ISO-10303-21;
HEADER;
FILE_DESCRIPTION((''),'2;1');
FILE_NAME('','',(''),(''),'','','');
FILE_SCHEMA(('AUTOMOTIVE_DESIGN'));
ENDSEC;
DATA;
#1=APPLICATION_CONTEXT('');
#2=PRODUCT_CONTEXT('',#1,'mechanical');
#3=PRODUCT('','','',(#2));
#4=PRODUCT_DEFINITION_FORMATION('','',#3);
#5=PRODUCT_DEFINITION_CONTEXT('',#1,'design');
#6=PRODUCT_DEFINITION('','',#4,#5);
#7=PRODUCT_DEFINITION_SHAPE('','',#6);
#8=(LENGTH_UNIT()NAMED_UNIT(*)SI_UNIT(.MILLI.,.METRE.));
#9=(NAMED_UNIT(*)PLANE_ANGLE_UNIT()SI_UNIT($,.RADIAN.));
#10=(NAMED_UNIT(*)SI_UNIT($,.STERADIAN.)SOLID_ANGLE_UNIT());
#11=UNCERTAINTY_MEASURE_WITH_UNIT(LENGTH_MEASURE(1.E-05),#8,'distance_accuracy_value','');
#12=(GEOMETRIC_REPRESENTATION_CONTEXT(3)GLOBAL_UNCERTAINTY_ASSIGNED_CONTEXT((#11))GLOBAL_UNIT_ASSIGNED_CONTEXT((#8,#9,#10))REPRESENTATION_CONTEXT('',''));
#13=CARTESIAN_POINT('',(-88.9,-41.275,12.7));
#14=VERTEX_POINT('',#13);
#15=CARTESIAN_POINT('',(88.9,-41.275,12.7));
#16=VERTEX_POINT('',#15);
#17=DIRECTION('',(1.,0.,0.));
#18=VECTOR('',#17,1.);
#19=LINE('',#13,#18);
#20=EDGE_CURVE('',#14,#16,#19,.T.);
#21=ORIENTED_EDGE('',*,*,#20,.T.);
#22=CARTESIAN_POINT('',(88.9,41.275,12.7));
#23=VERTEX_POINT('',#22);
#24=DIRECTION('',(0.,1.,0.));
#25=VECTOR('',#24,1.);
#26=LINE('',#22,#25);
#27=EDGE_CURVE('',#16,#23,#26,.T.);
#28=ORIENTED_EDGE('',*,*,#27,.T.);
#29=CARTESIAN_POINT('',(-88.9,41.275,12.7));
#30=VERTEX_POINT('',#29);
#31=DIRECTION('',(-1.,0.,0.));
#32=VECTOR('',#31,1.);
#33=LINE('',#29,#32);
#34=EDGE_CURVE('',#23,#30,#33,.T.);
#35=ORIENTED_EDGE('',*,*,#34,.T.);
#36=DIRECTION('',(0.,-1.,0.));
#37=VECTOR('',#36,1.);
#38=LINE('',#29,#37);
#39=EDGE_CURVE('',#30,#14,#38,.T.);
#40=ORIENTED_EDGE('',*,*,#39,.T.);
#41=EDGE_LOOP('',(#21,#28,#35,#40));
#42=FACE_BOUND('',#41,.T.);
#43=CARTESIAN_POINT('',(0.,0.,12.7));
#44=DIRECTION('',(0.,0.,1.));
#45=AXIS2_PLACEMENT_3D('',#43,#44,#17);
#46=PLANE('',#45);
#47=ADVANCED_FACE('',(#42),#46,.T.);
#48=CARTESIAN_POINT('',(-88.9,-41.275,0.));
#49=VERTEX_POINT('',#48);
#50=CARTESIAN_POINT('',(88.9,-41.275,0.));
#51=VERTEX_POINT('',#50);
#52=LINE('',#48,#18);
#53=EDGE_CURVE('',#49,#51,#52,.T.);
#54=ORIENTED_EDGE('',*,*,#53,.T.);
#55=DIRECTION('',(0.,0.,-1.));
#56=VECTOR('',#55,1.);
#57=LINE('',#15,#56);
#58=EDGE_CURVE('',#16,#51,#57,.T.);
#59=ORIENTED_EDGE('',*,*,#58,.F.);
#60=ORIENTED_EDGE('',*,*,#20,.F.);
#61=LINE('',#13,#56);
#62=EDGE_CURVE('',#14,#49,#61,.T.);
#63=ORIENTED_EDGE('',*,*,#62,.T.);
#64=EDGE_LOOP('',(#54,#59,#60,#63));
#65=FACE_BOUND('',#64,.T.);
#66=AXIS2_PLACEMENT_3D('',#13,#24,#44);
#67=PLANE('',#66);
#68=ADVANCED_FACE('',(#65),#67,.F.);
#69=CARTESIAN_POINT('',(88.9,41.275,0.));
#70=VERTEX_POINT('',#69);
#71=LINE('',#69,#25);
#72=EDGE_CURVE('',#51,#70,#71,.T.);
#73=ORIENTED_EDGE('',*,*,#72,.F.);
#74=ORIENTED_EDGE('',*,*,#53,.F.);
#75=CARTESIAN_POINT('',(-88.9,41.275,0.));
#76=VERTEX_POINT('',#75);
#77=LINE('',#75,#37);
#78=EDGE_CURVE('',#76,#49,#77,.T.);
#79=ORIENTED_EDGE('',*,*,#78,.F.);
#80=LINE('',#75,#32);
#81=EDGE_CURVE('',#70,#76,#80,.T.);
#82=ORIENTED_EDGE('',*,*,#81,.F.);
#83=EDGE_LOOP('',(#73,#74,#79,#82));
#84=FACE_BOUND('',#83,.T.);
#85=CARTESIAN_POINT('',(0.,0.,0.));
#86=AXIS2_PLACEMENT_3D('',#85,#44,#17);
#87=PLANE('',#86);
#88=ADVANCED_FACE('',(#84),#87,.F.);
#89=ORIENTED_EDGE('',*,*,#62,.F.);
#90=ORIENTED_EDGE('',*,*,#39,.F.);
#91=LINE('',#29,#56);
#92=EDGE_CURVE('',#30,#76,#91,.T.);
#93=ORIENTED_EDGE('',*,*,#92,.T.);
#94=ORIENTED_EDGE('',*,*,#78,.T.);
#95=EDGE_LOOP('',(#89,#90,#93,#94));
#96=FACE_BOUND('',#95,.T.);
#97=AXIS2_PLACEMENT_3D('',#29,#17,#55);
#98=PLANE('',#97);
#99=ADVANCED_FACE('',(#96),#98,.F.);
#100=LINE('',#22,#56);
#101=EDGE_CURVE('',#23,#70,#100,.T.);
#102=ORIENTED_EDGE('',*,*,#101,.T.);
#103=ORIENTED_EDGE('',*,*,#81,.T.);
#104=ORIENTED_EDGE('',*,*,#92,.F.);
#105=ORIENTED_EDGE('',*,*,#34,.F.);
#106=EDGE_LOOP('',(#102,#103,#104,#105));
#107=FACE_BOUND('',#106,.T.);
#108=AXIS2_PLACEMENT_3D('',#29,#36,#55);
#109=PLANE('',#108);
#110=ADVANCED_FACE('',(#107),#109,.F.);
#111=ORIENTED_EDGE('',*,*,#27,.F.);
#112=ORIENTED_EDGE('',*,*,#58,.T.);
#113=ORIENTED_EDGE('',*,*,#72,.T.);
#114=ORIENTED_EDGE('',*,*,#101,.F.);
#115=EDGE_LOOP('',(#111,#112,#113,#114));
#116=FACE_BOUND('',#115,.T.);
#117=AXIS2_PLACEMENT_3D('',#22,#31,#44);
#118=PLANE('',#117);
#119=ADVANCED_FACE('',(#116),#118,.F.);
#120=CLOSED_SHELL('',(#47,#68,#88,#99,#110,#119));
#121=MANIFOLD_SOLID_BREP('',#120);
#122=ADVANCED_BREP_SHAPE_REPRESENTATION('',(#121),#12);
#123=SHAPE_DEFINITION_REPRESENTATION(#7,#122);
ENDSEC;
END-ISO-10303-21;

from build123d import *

# Parameters (mm, degrees)
ESQUISSE1_W        = 177.8
ESQUISSE1_H        = 82.55
BOSS_EXTRU_1_DEPTH = 12.7


with BuildPart() as part:
    # Esquisse1 → Boss.-Extru.1 (new body)
    with BuildSketch(Plane.XY):
        Rectangle(ESQUISSE1_W, ESQUISSE1_H)
    extrude(amount=BOSS_EXTRU_1_DEPTH)


solid = part.part
